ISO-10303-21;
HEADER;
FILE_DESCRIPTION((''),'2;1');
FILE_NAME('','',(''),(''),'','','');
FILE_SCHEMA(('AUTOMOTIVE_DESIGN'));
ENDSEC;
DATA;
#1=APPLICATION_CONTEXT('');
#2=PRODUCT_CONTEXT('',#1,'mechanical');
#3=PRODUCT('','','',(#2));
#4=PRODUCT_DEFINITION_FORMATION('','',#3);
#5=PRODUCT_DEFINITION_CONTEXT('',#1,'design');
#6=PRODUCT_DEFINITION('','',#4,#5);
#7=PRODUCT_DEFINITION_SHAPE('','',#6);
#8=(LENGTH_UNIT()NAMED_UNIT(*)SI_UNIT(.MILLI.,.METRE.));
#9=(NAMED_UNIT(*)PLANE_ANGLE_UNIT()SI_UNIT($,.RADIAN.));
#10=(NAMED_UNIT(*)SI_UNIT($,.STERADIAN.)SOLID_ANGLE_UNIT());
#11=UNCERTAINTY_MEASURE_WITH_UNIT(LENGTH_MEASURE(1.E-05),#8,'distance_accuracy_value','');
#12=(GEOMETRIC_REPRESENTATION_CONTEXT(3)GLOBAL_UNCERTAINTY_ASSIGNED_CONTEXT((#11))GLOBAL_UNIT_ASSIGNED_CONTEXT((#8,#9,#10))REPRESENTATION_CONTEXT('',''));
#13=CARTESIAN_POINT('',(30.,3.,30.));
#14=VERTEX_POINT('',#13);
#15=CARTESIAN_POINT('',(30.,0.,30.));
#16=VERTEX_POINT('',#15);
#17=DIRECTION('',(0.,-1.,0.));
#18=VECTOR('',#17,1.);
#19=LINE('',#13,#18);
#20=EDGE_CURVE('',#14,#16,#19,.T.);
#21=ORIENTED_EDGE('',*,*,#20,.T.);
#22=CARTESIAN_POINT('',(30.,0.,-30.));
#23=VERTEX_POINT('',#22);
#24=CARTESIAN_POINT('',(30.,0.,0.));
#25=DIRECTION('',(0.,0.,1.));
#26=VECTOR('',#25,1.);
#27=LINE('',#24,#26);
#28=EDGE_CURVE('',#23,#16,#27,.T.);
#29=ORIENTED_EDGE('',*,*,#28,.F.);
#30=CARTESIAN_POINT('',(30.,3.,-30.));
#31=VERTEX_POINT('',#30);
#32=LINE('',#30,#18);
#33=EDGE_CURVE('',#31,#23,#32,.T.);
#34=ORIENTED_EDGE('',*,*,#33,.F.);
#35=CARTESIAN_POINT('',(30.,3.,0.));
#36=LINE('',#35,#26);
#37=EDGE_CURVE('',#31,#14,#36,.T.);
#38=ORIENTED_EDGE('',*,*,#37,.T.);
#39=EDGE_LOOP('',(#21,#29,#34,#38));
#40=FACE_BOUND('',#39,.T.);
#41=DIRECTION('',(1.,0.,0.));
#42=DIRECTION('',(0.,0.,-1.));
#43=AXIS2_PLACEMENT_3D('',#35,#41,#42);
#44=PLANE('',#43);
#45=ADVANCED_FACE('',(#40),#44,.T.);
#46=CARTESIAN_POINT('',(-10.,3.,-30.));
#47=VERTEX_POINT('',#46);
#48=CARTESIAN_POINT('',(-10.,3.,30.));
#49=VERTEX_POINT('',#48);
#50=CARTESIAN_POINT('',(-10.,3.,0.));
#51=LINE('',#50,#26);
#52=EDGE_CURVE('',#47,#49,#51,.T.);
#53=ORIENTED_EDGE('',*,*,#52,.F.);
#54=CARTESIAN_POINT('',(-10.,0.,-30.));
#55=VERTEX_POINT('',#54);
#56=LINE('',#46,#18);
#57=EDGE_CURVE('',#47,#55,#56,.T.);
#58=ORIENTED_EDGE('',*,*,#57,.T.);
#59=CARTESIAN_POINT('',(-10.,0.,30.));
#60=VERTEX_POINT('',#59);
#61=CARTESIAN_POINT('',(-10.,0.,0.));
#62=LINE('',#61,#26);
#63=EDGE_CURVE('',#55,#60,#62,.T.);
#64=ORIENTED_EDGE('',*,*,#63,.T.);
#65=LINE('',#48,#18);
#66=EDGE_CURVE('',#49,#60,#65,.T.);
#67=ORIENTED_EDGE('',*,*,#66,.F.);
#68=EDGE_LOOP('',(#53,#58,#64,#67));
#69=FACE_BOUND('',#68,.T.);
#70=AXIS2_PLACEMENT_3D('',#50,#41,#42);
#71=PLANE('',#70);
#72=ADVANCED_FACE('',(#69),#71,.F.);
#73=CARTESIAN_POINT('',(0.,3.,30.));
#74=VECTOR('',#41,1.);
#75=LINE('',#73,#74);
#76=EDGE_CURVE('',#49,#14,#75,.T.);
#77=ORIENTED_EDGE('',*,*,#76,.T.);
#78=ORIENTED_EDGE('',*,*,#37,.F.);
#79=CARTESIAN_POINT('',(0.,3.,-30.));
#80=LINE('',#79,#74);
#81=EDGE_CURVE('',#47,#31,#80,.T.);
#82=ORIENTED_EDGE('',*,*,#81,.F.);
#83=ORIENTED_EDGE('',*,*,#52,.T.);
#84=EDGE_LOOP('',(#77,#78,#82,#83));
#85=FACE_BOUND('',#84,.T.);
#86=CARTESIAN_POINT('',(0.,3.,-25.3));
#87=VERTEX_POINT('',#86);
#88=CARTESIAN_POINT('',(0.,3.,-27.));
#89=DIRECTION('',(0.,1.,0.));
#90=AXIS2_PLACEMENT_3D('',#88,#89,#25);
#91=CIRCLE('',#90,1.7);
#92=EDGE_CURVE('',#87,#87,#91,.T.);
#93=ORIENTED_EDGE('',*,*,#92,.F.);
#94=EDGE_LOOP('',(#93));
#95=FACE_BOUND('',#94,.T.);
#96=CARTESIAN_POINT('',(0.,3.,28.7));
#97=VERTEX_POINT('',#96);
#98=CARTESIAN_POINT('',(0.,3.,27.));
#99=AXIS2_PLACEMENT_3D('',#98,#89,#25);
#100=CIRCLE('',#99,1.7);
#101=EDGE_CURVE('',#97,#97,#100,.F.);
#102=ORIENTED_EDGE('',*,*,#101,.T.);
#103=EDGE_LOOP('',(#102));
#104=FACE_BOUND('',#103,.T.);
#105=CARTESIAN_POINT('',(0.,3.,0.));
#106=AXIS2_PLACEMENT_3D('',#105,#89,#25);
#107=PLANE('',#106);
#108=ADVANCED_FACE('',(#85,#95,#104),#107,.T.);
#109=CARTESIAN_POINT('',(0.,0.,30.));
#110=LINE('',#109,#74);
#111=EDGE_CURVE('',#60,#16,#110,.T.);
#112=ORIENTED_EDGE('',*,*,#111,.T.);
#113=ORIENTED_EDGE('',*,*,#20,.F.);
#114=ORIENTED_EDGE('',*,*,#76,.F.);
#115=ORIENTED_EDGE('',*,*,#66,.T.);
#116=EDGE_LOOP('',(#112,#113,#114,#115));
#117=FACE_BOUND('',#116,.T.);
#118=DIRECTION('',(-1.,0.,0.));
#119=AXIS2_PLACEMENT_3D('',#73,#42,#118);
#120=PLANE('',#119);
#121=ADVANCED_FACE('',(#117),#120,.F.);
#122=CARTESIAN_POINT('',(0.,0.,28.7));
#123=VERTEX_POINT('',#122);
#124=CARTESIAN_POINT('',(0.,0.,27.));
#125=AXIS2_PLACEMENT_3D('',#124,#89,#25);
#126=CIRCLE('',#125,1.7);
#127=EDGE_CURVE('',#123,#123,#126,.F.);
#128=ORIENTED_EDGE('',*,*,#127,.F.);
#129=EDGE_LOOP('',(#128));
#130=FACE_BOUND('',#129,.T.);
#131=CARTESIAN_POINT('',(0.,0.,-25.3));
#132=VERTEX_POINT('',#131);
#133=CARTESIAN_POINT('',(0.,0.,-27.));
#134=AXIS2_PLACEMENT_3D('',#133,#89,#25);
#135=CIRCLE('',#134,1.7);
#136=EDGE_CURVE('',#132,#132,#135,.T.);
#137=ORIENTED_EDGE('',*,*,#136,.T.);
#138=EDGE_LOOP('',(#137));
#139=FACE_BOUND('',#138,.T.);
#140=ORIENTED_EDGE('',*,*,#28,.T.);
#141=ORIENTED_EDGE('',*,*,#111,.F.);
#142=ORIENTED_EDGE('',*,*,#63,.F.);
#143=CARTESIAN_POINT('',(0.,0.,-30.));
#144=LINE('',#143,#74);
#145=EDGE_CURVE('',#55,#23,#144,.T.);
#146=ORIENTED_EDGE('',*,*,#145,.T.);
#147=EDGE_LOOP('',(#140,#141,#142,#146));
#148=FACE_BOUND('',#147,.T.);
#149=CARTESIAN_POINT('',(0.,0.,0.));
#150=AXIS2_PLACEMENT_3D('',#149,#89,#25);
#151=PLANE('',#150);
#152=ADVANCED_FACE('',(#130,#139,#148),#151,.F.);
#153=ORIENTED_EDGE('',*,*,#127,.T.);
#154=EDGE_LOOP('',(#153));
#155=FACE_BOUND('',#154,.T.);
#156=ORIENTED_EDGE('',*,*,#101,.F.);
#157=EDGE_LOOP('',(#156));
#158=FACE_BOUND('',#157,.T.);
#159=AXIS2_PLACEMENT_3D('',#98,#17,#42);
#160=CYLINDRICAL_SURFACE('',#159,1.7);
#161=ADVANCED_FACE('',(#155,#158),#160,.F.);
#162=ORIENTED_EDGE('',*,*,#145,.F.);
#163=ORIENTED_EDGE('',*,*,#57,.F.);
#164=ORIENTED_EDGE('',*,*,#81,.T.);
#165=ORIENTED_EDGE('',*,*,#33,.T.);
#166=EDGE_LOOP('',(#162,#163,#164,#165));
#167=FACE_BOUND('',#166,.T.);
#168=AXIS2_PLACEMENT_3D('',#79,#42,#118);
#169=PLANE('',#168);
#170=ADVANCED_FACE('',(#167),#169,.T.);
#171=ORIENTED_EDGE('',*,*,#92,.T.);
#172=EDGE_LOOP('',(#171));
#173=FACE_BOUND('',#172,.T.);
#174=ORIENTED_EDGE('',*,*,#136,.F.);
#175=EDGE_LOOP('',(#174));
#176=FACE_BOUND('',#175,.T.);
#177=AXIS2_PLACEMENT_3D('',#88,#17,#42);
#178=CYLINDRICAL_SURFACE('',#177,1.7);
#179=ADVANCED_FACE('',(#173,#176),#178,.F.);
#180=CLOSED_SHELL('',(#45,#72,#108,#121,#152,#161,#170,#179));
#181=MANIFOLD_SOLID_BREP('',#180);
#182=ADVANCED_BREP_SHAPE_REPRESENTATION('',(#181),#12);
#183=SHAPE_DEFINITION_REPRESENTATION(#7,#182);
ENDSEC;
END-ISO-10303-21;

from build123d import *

# Parameters (mm, degrees)
SKETCH1_W           = 40
SKETCH1_H           = 60
SKETCH1_R           = 1.7
BOSS_EXTRUDE1_DEPTH = 3


with BuildPart() as part:
    # Sketch1 → Boss-Extrude1 (new body)
    with BuildSketch(Plane(origin=(0, 0, 0), x_dir=(1, 0, 0), z_dir=(0, 1, 0))):
        with Locations((10, 0)):
            Rectangle(SKETCH1_W, SKETCH1_H)
        with Locations(Location((0, 27, 0), (0, 0, 270))):
            Circle(SKETCH1_R, mode=Mode.SUBTRACT)
        with Locations(Location((0, -27, 0), (0, 0, 270))):
            Circle(SKETCH1_R, mode=Mode.SUBTRACT)
    extrude(amount=BOSS_EXTRUDE1_DEPTH)


solid = part.part
